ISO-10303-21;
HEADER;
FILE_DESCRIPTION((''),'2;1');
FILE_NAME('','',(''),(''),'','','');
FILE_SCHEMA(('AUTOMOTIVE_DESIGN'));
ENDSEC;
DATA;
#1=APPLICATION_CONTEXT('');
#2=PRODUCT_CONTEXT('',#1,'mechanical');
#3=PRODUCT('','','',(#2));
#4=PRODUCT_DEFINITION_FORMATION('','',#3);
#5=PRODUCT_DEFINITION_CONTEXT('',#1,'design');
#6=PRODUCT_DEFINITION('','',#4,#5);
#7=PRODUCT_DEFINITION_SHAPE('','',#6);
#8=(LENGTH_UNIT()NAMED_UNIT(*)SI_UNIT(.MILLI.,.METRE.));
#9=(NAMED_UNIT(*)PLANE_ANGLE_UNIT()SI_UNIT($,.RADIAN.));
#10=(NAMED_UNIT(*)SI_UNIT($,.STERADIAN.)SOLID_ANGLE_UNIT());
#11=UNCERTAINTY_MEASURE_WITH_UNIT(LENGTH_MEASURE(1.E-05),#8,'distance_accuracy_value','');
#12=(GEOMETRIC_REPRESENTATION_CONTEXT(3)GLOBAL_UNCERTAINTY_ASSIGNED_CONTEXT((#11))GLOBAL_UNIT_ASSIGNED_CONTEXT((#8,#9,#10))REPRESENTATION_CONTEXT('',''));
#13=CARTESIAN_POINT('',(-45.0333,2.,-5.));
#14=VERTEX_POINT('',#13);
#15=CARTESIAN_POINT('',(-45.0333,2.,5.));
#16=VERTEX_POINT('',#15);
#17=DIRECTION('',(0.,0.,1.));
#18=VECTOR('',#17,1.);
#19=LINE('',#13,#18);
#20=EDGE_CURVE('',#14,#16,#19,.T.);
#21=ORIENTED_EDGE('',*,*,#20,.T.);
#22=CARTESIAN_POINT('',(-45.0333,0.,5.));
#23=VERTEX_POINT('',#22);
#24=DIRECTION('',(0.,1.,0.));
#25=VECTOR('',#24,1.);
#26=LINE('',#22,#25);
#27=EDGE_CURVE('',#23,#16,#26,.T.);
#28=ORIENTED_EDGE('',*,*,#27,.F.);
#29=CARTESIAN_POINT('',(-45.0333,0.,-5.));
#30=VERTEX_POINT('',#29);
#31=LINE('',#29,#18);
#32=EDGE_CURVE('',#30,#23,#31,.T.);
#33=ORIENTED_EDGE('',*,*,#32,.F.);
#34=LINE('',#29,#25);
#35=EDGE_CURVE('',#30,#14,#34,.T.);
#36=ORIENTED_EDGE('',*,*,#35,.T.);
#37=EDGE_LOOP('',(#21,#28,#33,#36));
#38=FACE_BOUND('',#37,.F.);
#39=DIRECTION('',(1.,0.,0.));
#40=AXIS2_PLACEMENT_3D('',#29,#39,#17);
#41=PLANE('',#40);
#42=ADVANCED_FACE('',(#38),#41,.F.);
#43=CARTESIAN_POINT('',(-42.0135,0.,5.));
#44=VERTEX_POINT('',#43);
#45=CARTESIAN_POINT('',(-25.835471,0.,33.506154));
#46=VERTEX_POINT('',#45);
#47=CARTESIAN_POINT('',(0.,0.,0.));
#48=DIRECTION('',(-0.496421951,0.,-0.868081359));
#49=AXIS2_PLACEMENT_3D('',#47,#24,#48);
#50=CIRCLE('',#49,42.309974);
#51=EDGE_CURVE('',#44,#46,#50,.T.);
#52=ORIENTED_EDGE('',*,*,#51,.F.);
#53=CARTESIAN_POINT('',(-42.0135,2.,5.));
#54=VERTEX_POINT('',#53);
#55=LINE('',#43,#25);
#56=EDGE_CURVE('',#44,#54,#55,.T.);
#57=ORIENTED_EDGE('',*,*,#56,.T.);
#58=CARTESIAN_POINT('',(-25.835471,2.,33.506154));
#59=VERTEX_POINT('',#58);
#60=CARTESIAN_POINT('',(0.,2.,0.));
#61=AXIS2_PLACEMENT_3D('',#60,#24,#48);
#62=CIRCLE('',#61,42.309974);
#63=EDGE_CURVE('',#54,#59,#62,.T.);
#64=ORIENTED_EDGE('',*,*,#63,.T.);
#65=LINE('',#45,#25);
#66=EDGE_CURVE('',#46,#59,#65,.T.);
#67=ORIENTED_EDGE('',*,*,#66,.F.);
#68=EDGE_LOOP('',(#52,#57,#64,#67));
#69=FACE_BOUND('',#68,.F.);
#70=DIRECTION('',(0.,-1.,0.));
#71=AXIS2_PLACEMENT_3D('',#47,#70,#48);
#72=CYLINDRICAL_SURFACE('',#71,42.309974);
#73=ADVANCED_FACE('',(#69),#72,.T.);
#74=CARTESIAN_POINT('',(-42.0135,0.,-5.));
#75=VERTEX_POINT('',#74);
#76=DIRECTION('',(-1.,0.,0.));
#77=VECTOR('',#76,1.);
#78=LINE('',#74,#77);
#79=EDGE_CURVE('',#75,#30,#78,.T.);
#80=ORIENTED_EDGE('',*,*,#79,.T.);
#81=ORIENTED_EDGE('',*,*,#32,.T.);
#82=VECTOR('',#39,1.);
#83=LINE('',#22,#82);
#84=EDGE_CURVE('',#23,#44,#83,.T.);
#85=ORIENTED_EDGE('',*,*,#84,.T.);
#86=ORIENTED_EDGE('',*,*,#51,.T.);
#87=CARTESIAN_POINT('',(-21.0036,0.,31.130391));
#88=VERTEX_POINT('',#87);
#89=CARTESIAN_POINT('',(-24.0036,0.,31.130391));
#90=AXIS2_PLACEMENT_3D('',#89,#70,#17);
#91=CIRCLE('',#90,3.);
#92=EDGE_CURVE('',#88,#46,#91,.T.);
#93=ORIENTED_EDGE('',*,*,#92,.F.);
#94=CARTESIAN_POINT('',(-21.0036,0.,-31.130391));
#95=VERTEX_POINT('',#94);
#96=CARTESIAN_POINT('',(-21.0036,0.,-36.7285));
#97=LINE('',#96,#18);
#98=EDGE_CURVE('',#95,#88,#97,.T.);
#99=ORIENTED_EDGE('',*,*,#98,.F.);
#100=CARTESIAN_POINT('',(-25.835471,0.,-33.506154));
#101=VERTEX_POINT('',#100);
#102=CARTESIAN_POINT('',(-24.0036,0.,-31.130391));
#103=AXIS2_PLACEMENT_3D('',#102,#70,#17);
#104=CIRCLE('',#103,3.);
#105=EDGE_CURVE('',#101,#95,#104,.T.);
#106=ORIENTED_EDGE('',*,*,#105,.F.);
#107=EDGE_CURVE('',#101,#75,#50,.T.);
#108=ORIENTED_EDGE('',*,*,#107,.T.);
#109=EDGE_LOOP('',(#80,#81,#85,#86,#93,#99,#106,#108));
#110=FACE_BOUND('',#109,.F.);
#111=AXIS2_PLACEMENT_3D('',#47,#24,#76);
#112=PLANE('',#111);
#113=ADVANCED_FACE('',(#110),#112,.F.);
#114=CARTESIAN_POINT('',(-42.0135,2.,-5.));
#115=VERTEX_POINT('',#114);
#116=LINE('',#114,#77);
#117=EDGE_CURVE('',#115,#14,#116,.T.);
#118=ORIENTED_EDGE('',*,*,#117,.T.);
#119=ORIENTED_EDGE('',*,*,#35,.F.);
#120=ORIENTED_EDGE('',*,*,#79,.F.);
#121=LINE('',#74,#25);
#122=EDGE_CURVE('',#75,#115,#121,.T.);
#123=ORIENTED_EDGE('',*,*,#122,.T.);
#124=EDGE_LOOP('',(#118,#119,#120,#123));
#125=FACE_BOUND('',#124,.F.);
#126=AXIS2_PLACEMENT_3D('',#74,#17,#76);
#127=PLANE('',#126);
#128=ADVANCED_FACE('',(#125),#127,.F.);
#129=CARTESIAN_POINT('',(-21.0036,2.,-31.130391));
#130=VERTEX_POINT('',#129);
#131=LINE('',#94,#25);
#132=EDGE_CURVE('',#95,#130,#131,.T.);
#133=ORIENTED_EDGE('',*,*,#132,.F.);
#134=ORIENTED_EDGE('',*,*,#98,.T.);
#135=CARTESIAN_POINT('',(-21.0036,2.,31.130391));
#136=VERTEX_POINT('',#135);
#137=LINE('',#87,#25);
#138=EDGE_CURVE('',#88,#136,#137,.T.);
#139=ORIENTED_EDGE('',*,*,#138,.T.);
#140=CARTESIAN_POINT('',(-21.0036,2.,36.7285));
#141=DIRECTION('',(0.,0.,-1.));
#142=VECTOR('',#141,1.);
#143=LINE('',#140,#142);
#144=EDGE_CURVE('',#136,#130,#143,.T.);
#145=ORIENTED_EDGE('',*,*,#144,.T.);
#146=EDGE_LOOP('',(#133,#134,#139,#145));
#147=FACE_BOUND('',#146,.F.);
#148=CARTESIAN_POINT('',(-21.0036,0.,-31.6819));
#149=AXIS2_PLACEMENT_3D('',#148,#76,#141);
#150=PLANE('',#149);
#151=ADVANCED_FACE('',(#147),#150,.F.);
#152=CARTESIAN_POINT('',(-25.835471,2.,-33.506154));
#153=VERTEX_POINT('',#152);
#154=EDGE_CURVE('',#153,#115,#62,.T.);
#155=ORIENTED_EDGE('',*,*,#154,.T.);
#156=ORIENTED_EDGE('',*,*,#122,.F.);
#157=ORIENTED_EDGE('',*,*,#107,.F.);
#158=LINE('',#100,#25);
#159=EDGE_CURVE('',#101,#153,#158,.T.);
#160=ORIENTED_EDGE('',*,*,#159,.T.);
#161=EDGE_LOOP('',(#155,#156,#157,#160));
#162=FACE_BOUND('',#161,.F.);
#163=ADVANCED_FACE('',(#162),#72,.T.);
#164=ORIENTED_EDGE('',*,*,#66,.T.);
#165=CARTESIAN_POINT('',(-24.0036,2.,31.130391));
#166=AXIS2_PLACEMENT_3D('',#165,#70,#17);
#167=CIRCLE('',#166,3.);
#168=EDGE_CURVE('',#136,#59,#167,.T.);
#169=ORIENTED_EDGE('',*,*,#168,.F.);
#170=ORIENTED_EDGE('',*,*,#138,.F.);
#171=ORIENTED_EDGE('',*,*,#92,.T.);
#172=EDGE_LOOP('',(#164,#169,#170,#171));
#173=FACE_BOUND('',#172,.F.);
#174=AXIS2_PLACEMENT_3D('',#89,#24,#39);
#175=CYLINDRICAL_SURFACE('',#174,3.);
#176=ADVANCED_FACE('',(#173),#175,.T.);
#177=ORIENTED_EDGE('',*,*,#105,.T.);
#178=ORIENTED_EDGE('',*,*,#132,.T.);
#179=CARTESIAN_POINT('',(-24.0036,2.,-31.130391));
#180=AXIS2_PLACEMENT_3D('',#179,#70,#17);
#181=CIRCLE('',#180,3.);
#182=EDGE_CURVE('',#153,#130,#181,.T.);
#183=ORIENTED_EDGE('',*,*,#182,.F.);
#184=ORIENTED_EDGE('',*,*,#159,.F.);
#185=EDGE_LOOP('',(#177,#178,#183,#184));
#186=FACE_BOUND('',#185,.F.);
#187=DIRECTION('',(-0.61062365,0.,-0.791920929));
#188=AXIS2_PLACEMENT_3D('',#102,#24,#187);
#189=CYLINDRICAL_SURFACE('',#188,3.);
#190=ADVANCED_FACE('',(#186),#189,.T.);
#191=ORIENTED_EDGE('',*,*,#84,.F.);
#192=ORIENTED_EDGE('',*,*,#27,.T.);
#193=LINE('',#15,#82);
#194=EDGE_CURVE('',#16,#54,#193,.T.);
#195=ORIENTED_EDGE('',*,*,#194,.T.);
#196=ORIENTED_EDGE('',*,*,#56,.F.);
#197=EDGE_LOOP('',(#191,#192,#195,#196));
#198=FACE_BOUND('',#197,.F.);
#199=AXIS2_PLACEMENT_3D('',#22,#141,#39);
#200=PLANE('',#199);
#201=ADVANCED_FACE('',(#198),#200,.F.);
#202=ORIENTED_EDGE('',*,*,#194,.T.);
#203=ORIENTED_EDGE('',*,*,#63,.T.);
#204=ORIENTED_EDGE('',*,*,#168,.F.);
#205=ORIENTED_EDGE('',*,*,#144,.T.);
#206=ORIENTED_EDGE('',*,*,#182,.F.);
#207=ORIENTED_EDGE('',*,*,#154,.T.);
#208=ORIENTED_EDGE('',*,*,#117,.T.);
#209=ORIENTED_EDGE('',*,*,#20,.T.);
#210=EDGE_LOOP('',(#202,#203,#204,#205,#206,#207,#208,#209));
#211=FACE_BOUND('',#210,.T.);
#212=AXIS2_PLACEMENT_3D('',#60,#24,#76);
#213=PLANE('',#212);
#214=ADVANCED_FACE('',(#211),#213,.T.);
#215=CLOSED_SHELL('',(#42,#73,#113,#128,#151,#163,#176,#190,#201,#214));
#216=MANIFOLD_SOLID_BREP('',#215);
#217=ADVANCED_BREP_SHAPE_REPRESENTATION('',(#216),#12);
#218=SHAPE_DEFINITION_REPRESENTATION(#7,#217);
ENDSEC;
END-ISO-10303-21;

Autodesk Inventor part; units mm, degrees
ref_plane "YZ Plane" through (0, 0, 0) normal (1, 0, 0) x (0, 1, 0)
ref_plane "XZ Plane" through (0, 0, 0) normal (0, 1, 0) x (-1, 0, 0)
ref_plane "XY Plane" through (0, 0, 0) normal (0, 0, 1) x (1, 0, 0)
sketch "Esquisse1" plane through (0, 0, 0) normal (0, 1, 0) x (-1, 0, 0)
  line L0 (18.0036, -31.6819) -> (18.0036, -41.5796)
  line L1 (18.0036, 33.4181) -> (18.0036, -31.6819)
  line L2 (18.0036, 33.4181) -> (18.0036, 41.5796)
  arc A0 (18.0036, -41.5796) -> (18.0036, 41.5796) centre (0, 0) ccw
  line L3 (21.0036, 36.7285) -> (21.0036, 33.4181)
  line L4 (21.0036, 33.4181) -> (21.0036, -31.6819)
  line L5 (21.0036, -31.6819) -> (21.0036, -36.7285)
  arc A1 (21.0036, -36.7285) -> (21.0036, 36.7285) centre (0, 0) ccw
  line L6 (45.0333, 5) -> (42.0135, 5)
  line L7 (42.0135, 5) -> (42.0135, -5)
  line L8 (42.0135, -5) -> (45.0333, -5)
  line L9 (45.0333, -5) -> (45.0333, 5)
  line L10 (45.0333, 5) -> (42.0135, -5) construction
  line L11 (42.0135, 5) -> (45.0333, -5) construction
  line L12 (49.818, 0) -> (34.3139, 0) construction
  point P0 (0, 0)
  point P1 (43.5234, 0)
  dimension "d7" = 90.62
  dimension "d8" = 3
  dimension "d9" = 10
extrude "Extrusion1" add sketch "Esquisse1" along normal blind 2 contours L8 A1 L6 L9 | L7 A1 | A1 L5 L4 L3 L7
fillet "Congé2" radius 3 2 edges at (-21.0036, 1, 36.7285) (-21.0036, 1, -36.7285)
sketch "Esquisse2" plane through (0, 2, 0) normal (0, 1, 0) x (1, 0, 0)
  point P0 (0, 0)
properties part number "Test_PCB"
